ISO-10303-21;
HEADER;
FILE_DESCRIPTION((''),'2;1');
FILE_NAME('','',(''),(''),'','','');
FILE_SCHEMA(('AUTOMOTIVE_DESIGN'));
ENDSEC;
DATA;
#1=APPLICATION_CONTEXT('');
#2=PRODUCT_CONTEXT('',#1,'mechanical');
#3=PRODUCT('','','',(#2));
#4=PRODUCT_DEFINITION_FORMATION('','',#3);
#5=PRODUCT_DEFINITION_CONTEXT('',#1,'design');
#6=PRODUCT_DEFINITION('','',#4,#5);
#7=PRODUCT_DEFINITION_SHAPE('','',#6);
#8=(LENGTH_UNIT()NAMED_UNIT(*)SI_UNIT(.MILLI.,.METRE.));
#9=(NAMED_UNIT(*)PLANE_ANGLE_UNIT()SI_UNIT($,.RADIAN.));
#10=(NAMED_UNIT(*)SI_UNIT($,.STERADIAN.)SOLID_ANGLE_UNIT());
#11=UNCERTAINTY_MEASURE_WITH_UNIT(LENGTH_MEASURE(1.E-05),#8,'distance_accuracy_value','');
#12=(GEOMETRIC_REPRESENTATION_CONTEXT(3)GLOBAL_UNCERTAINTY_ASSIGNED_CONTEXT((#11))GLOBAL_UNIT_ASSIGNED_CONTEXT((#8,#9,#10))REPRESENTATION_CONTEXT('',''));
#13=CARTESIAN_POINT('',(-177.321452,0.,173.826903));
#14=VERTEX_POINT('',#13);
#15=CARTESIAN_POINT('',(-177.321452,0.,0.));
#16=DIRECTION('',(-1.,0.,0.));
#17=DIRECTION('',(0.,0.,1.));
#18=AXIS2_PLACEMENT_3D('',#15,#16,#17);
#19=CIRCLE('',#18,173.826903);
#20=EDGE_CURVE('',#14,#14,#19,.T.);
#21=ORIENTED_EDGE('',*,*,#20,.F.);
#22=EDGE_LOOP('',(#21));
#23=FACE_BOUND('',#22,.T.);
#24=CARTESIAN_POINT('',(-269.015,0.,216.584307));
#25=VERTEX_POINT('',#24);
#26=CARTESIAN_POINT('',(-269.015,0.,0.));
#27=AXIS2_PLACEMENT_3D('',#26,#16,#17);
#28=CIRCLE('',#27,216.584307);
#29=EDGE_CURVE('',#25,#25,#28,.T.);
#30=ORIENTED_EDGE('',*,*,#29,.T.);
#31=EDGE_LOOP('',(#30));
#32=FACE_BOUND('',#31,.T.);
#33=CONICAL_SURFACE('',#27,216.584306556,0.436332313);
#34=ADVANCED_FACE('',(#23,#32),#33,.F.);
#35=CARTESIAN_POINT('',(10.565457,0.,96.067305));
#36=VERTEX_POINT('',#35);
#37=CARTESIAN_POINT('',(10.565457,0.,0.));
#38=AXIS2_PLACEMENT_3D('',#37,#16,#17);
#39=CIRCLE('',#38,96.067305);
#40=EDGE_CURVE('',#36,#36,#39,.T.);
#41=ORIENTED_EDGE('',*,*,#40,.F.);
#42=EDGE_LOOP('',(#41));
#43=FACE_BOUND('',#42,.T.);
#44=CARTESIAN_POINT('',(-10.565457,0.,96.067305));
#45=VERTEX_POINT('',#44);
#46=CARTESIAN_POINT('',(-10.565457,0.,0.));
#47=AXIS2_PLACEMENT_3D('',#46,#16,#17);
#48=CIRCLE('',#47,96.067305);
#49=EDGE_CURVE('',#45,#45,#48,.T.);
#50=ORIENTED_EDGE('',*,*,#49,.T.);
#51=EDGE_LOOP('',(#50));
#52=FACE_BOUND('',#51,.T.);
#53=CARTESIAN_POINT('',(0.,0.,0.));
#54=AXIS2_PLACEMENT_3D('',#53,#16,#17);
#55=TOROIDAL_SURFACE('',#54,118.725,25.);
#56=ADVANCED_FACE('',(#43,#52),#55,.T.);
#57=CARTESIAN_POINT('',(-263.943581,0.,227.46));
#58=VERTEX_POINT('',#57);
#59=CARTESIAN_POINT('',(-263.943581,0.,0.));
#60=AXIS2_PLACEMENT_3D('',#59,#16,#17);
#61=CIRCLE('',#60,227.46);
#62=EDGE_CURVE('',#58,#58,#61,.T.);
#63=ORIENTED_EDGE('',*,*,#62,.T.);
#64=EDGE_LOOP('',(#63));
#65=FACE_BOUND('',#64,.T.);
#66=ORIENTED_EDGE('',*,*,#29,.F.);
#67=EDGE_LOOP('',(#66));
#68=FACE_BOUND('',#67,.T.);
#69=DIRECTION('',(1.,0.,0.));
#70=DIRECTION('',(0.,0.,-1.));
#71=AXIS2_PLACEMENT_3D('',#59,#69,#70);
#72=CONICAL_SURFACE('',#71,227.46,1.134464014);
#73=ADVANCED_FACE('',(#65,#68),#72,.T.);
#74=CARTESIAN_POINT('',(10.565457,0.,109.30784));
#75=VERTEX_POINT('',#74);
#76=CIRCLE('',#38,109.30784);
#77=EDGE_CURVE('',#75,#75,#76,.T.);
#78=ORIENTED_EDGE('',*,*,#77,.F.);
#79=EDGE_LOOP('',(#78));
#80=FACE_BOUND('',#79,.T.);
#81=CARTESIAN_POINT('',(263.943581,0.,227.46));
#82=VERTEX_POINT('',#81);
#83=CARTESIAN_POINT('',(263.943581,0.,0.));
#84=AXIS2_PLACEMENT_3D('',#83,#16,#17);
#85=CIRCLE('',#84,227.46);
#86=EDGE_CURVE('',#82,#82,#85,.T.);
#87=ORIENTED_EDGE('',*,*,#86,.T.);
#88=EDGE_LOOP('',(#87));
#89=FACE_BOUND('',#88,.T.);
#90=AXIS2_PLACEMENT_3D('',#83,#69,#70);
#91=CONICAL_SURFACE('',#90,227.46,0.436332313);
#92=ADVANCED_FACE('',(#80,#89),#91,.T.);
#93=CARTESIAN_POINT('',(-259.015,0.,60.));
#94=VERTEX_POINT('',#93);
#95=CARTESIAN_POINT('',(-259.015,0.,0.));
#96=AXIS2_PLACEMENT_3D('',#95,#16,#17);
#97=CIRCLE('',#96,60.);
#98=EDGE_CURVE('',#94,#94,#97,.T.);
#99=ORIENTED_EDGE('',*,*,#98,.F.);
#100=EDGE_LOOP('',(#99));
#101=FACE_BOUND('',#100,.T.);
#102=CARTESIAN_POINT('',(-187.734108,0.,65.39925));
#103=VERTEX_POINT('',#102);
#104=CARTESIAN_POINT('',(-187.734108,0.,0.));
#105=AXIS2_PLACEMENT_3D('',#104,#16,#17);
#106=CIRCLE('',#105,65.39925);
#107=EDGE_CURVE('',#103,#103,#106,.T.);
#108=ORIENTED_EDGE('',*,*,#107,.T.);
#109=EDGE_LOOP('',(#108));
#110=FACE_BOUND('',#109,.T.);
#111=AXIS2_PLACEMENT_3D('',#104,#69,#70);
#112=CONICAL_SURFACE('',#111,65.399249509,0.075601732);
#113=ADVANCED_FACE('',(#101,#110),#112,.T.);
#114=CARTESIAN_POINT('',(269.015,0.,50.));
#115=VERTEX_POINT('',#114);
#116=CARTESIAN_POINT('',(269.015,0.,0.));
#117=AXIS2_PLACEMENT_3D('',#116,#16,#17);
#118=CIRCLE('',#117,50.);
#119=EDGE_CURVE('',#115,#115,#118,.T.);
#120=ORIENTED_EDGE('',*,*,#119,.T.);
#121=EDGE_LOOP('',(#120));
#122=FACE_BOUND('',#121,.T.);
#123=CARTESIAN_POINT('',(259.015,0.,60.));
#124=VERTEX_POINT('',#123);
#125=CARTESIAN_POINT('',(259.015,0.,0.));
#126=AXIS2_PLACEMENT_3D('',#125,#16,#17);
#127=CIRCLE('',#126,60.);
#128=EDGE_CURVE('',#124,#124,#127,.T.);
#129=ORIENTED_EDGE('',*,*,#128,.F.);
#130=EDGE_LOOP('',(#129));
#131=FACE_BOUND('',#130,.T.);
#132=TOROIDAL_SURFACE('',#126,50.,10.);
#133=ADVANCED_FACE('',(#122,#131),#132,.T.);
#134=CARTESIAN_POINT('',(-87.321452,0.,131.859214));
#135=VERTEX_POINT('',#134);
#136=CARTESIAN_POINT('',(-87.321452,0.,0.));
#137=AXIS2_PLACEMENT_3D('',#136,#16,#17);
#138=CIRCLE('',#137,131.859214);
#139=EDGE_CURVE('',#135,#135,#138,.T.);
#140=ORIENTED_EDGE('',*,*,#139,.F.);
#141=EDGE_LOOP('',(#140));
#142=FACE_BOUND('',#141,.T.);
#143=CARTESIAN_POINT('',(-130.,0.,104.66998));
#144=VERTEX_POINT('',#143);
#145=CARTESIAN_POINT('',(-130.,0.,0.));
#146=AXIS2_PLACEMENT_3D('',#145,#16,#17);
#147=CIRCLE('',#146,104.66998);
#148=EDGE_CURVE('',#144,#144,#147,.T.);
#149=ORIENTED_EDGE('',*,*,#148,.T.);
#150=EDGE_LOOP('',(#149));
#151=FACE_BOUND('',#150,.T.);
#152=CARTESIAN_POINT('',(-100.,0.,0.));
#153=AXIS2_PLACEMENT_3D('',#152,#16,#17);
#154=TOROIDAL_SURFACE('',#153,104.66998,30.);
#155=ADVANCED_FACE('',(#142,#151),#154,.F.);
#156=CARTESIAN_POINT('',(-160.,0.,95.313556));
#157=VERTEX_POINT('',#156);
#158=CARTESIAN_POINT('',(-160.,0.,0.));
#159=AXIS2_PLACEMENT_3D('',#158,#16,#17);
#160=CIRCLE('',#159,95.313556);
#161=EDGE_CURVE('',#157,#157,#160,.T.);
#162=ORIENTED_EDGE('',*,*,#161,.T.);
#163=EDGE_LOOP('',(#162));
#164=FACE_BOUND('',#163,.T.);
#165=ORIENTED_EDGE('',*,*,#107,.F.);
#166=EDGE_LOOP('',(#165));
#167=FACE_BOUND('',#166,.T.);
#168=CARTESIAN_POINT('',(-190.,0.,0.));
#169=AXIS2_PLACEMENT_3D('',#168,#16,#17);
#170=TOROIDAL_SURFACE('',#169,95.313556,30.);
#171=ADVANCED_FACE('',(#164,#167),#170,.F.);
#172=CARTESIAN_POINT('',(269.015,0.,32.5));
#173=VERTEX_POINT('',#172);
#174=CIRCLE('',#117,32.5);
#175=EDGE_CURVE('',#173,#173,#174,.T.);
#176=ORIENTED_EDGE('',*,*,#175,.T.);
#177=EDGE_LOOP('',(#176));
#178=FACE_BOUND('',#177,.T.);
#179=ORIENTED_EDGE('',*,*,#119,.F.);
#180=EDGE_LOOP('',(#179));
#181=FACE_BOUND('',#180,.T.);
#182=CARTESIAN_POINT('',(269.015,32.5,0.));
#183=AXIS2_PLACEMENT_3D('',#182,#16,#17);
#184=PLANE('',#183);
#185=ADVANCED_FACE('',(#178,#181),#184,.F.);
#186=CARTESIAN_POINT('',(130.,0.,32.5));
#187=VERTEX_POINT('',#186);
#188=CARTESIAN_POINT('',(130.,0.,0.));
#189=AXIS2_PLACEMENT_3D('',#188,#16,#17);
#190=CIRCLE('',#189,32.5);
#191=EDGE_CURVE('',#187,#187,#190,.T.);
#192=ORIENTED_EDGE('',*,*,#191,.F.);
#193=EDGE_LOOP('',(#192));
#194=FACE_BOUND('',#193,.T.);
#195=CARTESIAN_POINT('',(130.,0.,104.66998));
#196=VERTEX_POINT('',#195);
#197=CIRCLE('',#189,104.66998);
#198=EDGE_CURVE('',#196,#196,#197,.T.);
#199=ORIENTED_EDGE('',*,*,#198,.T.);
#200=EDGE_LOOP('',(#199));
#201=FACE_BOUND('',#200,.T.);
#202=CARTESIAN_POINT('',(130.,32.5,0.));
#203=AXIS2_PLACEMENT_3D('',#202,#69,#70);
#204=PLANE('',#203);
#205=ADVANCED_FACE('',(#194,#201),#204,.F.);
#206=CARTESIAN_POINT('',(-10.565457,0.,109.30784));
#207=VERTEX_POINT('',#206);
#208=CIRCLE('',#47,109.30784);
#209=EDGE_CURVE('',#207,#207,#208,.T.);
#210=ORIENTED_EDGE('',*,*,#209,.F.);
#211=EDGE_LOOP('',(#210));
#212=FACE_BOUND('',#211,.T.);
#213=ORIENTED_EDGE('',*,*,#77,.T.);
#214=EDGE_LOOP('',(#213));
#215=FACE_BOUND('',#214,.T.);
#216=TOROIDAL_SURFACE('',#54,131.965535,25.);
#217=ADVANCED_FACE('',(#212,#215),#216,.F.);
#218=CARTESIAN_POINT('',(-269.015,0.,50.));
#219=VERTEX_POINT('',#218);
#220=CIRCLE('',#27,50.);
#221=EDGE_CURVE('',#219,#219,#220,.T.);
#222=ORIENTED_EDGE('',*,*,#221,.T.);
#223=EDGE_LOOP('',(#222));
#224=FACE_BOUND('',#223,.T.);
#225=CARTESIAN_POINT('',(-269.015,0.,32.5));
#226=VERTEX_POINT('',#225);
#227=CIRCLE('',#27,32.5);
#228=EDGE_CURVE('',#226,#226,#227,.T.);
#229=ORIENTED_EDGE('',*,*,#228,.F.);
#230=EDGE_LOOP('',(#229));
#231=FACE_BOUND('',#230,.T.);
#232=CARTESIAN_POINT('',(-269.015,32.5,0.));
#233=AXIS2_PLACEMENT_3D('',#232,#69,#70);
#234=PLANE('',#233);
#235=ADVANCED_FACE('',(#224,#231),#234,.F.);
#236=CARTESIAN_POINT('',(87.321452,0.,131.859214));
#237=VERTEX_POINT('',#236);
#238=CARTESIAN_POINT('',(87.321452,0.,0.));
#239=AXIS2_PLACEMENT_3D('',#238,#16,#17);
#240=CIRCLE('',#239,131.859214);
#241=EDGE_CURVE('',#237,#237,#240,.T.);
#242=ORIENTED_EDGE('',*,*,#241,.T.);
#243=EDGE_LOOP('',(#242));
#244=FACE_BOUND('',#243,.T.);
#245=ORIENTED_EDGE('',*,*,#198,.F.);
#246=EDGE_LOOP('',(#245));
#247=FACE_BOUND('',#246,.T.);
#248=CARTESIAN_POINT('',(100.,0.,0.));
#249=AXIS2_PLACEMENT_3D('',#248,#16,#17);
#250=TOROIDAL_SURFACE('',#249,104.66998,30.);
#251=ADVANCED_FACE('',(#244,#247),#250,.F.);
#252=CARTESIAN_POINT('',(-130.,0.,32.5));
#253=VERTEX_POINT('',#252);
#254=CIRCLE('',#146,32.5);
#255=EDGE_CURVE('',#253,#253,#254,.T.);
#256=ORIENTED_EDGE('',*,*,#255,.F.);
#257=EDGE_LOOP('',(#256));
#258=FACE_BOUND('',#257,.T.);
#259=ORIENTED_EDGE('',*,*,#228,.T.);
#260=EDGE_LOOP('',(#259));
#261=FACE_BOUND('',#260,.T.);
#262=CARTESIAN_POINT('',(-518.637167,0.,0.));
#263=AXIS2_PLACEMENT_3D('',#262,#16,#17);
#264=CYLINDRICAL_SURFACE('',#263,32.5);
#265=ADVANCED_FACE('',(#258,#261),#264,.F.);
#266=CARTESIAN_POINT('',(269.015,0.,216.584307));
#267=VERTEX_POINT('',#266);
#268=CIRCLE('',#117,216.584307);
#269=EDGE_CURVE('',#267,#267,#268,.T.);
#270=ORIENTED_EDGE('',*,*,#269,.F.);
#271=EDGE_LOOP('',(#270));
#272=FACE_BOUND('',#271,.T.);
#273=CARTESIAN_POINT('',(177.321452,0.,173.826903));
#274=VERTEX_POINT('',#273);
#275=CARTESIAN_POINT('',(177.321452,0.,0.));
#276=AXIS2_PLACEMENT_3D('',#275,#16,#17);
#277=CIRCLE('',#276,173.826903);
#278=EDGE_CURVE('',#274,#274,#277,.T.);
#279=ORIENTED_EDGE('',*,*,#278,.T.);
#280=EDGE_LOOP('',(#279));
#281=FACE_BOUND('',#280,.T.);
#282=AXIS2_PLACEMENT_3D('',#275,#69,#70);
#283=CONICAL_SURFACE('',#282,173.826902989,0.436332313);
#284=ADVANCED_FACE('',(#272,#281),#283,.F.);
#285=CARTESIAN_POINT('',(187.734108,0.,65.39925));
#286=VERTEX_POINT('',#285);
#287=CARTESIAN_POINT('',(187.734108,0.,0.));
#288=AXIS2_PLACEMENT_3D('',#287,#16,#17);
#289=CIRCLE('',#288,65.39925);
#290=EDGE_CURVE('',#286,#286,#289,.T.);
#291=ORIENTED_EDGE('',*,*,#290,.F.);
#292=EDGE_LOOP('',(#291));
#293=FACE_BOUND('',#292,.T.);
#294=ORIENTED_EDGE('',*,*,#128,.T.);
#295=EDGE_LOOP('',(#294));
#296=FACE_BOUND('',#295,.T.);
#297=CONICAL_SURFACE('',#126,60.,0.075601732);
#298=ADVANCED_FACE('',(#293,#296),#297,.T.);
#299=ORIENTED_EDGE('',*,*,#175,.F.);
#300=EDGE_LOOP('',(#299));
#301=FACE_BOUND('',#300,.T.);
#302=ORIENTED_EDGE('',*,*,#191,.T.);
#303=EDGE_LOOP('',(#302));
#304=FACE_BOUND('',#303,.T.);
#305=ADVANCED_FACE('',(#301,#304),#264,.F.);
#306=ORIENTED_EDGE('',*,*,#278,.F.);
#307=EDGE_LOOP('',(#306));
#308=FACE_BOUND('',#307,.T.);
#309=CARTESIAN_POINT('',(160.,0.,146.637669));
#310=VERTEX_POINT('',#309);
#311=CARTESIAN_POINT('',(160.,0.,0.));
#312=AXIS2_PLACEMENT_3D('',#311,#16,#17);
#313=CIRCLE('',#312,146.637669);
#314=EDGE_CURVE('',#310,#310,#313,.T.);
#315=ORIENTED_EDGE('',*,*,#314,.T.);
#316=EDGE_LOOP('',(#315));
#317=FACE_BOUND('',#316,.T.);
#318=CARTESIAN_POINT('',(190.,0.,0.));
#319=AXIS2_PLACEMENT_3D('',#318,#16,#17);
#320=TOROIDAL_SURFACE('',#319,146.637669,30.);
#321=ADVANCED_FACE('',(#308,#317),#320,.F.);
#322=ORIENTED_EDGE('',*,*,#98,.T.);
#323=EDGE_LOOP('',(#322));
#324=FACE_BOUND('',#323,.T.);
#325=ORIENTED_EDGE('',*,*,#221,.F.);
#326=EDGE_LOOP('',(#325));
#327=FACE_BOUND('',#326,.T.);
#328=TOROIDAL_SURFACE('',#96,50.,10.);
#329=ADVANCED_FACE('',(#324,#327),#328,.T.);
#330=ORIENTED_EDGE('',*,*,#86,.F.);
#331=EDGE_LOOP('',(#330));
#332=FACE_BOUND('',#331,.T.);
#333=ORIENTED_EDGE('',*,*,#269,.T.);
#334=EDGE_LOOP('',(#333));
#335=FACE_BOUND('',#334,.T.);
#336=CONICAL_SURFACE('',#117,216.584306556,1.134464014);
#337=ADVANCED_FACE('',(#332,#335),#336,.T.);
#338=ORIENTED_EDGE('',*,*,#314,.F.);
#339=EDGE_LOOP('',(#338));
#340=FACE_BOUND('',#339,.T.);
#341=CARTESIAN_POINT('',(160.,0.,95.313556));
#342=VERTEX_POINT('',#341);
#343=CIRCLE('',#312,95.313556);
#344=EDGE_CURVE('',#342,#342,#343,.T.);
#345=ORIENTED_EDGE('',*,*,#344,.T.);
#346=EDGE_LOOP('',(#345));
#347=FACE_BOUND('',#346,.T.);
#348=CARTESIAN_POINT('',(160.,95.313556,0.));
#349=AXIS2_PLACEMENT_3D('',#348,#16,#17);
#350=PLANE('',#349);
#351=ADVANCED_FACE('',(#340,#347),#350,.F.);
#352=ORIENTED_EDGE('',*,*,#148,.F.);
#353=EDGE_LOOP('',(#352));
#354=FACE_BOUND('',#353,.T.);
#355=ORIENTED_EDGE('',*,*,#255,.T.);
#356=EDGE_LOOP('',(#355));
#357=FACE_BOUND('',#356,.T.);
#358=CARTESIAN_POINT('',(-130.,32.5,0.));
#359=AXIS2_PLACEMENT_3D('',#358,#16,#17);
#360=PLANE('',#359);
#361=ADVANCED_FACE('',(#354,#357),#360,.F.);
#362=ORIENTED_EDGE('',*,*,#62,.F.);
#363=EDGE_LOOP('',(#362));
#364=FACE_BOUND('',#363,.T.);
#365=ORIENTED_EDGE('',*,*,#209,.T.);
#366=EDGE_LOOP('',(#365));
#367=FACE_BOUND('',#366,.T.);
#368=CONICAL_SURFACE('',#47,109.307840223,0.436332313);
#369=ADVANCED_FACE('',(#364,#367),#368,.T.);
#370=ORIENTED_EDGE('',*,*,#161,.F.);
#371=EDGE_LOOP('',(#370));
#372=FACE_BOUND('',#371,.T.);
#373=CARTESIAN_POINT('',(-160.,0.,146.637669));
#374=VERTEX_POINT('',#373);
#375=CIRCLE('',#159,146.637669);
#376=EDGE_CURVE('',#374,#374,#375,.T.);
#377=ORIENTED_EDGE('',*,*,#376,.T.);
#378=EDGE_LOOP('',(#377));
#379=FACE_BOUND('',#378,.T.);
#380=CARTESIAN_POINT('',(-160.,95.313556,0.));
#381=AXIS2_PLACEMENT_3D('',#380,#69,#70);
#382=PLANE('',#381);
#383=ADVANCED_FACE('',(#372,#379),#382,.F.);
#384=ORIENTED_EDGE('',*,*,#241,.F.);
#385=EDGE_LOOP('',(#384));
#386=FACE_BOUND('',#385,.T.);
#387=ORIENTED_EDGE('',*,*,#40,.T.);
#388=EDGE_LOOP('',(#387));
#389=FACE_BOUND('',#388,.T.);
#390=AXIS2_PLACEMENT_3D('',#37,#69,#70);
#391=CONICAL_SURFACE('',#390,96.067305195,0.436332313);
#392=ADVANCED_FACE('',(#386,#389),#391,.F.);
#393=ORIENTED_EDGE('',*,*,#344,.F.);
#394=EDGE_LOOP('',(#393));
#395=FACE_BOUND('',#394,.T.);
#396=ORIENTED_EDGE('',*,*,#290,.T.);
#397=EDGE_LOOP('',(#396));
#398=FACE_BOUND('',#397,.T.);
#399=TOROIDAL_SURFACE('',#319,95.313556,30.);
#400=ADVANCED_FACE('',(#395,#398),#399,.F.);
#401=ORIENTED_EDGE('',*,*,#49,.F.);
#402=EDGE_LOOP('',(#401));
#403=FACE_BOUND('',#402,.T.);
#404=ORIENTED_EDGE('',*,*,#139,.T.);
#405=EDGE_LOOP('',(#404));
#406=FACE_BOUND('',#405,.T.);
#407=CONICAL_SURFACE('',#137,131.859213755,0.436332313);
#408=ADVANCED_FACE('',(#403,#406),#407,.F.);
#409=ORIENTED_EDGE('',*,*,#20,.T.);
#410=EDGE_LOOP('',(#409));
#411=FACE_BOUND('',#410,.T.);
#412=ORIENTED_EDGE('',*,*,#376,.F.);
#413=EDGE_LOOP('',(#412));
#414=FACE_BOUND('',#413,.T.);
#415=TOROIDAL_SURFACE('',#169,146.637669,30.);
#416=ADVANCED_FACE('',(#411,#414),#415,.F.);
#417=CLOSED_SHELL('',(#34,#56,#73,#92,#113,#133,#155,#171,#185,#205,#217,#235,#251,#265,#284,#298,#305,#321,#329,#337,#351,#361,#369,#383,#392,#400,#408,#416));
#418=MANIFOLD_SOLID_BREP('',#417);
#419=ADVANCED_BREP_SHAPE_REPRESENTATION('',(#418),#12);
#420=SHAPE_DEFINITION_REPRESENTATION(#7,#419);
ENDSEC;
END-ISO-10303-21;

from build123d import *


with BuildPart() as part:
    # Sketch1 → Revolve1 (revolve)
    with BuildSketch(Plane.XY, mode=Mode.PRIVATE) as revolve1_sk:
        with BuildLine():
            Line((130, 32.5), (269.015, 32.5))
            Line((269.015, 32.5), (269.015, 50))
            ThreePointArc((269.015, 50), (266.086067812, 57.071067812), (259.015, 60))
            Line((259.015, 60), (187.734107976, 65.399249509))
            ThreePointArc((187.734107976, 65.399249509), (168.000264084, 74.917193107), (160, 95.313556009))
            Line((160, 95.313556009), (160, 146.637669378))
            ThreePointArc((160, 146.637669378), (164.698256626, 162.756657628), (177.321452148, 173.826902989))
            Line((177.321452148, 173.826902989), (269.015, 216.584306556))
            Line((269.015, 216.584306556), (263.943580859, 227.46))
            Line((263.943580859, 227.46), (10.565456544, 109.307840223))
            ThreePointArc((10.565456544, 109.307840223), (0, 106.965534899), (-10.565456544, 109.307840223))
            Line((-10.565456544, 109.307840223), (-263.943580859, 227.46))
            Line((-263.943580859, 227.46), (-269.015, 216.584306556))
            Line((-269.015, 216.584306556), (-177.321452148, 173.826902989))
            ThreePointArc((-177.321452148, 173.826902989), (-164.698256626, 162.756657628), (-160, 146.637669378))
            Line((-160, 146.637669378), (-160, 95.313556009))
            ThreePointArc((-160, 95.313556009), (-168.000264084, 74.917193107), (-187.734107976, 65.399249509))
            Line((-187.734107976, 65.399249509), (-259.015, 60))
            ThreePointArc((-259.015, 60), (-266.086067812, 57.071067812), (-269.015, 50))
            Line((-269.015, 50), (-269.015, 32.5))
            Line((-269.015, 32.5), (-130, 32.5))
            Line((-130, 32.5), (-130, 104.669980144))
            ThreePointArc((-130, 104.669980144), (-116.11898825, 129.971723518), (-87.321452148, 131.859213755))
            Line((-87.321452148, 131.859213755), (-10.565456544, 96.067305195))
            ThreePointArc((-10.565456544, 96.067305195), (0, 93.724999871), (10.565456544, 96.067305195))
            Line((10.565456544, 96.067305195), (87.321452148, 131.859213755))
            ThreePointArc((87.321452148, 131.859213755), (116.11898825, 129.971723518), (130, 104.669980144))
            Line((130, 104.669980144), (130, 32.5))
        make_face()
    revolve(revolve1_sk.sketch.rotate(Axis((-518.637167429, 0, 0), (1, 0, 0)), 90), axis=Axis((-518.637167429, 0, 0), (1, 0, 0)))


solid = part.part
